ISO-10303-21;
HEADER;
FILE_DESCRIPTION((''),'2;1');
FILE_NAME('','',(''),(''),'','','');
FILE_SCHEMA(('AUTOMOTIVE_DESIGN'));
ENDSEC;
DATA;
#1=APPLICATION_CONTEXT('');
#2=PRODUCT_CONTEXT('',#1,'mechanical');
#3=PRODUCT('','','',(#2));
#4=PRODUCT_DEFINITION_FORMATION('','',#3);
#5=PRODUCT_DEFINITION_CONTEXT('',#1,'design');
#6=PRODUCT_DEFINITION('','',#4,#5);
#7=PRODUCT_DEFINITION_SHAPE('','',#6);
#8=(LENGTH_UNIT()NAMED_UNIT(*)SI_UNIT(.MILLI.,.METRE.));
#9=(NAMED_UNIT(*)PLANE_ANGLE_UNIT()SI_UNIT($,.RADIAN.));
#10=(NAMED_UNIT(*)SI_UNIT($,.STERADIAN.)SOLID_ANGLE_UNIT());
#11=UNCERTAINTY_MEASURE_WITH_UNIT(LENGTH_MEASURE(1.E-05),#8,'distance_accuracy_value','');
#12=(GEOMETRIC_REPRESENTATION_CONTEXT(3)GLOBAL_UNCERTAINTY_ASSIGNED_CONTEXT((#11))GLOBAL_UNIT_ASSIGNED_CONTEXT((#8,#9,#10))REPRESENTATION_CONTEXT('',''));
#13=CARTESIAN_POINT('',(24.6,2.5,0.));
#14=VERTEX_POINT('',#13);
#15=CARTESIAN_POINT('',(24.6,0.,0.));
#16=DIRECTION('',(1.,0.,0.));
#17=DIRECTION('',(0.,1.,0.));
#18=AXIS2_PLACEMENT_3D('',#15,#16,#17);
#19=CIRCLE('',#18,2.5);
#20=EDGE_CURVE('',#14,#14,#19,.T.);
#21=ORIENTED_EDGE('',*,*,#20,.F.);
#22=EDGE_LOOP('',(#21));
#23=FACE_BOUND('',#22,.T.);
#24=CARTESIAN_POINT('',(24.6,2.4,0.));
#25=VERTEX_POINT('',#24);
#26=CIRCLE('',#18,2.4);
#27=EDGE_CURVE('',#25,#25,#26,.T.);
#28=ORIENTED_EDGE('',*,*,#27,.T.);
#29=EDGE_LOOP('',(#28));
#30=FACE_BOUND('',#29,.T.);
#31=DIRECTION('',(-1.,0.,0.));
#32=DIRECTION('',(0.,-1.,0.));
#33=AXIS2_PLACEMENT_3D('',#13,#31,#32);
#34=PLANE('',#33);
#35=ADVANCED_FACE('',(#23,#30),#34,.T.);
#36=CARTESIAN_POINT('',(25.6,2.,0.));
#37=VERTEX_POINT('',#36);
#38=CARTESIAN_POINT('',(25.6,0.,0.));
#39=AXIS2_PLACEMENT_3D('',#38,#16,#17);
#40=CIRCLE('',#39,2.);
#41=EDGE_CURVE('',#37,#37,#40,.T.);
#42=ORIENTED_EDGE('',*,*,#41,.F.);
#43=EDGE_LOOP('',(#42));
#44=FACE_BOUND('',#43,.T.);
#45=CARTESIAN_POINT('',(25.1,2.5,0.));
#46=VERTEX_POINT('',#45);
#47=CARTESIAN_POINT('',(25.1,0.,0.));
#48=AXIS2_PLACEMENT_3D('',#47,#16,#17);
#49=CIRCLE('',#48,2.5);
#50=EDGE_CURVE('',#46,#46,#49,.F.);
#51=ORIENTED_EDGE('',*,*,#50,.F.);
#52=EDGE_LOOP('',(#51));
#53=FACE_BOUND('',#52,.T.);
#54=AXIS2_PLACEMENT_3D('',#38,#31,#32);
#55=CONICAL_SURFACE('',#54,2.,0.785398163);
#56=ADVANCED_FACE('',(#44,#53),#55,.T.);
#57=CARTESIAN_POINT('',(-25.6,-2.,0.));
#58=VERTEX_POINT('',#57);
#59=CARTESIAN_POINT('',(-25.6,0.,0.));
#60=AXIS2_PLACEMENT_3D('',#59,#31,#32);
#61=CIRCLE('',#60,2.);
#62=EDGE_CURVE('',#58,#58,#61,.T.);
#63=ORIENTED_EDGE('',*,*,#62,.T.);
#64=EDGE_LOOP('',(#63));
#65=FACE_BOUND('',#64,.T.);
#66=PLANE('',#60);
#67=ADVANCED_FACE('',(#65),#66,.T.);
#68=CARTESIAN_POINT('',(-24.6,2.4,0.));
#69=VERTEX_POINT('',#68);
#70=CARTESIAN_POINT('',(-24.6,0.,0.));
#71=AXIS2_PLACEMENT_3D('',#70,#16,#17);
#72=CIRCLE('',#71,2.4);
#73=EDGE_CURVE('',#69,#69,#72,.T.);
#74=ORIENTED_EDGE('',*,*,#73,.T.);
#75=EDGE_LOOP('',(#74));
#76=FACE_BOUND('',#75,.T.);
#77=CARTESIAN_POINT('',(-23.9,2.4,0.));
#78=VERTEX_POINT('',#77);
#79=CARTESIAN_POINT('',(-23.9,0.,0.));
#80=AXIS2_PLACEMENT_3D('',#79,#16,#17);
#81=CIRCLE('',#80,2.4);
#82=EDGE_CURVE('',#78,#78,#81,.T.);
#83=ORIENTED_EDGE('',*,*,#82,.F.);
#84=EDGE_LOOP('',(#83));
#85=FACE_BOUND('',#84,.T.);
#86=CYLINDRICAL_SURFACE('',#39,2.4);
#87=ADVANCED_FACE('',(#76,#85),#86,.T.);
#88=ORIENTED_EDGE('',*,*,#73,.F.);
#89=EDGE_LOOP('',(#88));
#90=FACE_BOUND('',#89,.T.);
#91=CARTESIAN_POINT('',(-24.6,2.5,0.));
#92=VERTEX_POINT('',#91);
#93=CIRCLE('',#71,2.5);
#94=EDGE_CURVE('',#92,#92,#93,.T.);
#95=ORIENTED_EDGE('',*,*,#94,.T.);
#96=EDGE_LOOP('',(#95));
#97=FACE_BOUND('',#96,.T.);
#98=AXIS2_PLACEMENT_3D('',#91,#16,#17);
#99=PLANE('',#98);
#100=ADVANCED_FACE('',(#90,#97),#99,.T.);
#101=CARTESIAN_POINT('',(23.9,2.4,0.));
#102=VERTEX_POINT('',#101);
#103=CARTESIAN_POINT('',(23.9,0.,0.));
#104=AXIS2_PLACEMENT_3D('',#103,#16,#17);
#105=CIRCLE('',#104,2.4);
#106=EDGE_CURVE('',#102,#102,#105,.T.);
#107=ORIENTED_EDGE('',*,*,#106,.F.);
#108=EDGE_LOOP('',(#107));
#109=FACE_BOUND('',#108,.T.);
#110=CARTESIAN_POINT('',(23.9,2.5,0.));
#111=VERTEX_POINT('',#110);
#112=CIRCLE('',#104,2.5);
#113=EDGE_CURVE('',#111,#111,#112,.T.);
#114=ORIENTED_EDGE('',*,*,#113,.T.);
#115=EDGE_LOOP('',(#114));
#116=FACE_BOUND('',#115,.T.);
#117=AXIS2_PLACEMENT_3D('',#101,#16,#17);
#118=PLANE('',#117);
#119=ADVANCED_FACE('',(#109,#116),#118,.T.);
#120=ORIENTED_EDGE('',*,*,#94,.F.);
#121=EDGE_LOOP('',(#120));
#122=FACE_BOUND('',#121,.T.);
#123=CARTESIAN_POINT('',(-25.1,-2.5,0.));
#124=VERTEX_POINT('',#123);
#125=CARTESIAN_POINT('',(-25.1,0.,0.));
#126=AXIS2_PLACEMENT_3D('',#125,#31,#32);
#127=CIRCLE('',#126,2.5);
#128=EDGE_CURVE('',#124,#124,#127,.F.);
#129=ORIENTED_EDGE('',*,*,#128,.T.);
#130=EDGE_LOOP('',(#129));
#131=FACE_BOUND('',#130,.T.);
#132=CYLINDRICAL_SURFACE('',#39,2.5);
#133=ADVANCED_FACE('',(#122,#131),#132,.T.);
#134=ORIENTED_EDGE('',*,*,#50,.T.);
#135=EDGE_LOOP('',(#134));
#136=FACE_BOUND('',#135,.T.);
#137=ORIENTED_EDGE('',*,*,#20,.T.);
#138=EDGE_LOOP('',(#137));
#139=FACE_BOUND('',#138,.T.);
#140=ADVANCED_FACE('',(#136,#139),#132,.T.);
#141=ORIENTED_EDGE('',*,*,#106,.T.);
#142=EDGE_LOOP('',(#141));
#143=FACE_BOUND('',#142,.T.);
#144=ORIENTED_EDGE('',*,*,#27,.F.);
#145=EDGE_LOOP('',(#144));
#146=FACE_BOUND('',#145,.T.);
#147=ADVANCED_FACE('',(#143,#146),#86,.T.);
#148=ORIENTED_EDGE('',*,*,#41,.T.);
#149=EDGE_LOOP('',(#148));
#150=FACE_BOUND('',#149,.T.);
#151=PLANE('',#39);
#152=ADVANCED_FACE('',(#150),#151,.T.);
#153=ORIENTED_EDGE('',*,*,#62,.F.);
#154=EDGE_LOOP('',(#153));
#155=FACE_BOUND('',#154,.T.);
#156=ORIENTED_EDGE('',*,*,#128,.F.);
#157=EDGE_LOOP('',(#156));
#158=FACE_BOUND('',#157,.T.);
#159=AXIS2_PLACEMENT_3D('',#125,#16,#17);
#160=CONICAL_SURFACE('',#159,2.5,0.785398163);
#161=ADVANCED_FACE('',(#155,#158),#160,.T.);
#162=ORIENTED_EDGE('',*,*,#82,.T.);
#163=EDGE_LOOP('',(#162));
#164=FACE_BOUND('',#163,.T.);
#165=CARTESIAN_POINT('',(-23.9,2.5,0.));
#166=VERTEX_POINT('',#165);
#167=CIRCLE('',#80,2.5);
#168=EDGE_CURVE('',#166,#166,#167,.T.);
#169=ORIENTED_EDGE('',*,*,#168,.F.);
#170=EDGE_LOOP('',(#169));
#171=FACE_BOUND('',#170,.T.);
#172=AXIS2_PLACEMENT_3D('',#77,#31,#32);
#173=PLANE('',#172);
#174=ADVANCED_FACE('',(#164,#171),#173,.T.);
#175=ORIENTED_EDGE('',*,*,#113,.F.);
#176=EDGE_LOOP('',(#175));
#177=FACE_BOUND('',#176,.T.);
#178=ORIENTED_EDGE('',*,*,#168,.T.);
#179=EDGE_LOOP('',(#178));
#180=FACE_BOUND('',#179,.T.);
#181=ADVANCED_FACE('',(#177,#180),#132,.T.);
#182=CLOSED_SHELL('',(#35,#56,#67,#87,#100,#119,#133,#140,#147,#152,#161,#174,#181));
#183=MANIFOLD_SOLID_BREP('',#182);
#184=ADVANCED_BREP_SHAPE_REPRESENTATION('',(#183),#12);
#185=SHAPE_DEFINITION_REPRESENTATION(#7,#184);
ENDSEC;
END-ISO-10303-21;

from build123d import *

# Parameters (mm, degrees)
CHAMFER_1_SIZE = 0.5


with BuildPart() as part:
    # 草图1 → 旋转1 (revolve)
    with BuildSketch(Plane.XY):
        Polygon((25.6, 0), (25.6, 2.5), (24.6, 2.5), (24.6, 2.4), (23.9, 2.4), (23.9, 2.5), (-23.9, 2.5), (-23.9, 2.4), (-24.6, 2.4), (-24.6, 2.5), (-25.6, 2.5), (-25.6, 0), align=None)
    revolve(axis=Axis((25.6, 0, 0), (-1, 0, 0)))

    # 倒角1
    chamfer_1_edges = [part.edges().sort_by_distance(p)[0] for p in [
        (-25.6, -2.5, 0),
        (25.6, -2.5, 0),
    ]]
    chamfer(chamfer_1_edges, length=CHAMFER_1_SIZE)


solid = part.part
